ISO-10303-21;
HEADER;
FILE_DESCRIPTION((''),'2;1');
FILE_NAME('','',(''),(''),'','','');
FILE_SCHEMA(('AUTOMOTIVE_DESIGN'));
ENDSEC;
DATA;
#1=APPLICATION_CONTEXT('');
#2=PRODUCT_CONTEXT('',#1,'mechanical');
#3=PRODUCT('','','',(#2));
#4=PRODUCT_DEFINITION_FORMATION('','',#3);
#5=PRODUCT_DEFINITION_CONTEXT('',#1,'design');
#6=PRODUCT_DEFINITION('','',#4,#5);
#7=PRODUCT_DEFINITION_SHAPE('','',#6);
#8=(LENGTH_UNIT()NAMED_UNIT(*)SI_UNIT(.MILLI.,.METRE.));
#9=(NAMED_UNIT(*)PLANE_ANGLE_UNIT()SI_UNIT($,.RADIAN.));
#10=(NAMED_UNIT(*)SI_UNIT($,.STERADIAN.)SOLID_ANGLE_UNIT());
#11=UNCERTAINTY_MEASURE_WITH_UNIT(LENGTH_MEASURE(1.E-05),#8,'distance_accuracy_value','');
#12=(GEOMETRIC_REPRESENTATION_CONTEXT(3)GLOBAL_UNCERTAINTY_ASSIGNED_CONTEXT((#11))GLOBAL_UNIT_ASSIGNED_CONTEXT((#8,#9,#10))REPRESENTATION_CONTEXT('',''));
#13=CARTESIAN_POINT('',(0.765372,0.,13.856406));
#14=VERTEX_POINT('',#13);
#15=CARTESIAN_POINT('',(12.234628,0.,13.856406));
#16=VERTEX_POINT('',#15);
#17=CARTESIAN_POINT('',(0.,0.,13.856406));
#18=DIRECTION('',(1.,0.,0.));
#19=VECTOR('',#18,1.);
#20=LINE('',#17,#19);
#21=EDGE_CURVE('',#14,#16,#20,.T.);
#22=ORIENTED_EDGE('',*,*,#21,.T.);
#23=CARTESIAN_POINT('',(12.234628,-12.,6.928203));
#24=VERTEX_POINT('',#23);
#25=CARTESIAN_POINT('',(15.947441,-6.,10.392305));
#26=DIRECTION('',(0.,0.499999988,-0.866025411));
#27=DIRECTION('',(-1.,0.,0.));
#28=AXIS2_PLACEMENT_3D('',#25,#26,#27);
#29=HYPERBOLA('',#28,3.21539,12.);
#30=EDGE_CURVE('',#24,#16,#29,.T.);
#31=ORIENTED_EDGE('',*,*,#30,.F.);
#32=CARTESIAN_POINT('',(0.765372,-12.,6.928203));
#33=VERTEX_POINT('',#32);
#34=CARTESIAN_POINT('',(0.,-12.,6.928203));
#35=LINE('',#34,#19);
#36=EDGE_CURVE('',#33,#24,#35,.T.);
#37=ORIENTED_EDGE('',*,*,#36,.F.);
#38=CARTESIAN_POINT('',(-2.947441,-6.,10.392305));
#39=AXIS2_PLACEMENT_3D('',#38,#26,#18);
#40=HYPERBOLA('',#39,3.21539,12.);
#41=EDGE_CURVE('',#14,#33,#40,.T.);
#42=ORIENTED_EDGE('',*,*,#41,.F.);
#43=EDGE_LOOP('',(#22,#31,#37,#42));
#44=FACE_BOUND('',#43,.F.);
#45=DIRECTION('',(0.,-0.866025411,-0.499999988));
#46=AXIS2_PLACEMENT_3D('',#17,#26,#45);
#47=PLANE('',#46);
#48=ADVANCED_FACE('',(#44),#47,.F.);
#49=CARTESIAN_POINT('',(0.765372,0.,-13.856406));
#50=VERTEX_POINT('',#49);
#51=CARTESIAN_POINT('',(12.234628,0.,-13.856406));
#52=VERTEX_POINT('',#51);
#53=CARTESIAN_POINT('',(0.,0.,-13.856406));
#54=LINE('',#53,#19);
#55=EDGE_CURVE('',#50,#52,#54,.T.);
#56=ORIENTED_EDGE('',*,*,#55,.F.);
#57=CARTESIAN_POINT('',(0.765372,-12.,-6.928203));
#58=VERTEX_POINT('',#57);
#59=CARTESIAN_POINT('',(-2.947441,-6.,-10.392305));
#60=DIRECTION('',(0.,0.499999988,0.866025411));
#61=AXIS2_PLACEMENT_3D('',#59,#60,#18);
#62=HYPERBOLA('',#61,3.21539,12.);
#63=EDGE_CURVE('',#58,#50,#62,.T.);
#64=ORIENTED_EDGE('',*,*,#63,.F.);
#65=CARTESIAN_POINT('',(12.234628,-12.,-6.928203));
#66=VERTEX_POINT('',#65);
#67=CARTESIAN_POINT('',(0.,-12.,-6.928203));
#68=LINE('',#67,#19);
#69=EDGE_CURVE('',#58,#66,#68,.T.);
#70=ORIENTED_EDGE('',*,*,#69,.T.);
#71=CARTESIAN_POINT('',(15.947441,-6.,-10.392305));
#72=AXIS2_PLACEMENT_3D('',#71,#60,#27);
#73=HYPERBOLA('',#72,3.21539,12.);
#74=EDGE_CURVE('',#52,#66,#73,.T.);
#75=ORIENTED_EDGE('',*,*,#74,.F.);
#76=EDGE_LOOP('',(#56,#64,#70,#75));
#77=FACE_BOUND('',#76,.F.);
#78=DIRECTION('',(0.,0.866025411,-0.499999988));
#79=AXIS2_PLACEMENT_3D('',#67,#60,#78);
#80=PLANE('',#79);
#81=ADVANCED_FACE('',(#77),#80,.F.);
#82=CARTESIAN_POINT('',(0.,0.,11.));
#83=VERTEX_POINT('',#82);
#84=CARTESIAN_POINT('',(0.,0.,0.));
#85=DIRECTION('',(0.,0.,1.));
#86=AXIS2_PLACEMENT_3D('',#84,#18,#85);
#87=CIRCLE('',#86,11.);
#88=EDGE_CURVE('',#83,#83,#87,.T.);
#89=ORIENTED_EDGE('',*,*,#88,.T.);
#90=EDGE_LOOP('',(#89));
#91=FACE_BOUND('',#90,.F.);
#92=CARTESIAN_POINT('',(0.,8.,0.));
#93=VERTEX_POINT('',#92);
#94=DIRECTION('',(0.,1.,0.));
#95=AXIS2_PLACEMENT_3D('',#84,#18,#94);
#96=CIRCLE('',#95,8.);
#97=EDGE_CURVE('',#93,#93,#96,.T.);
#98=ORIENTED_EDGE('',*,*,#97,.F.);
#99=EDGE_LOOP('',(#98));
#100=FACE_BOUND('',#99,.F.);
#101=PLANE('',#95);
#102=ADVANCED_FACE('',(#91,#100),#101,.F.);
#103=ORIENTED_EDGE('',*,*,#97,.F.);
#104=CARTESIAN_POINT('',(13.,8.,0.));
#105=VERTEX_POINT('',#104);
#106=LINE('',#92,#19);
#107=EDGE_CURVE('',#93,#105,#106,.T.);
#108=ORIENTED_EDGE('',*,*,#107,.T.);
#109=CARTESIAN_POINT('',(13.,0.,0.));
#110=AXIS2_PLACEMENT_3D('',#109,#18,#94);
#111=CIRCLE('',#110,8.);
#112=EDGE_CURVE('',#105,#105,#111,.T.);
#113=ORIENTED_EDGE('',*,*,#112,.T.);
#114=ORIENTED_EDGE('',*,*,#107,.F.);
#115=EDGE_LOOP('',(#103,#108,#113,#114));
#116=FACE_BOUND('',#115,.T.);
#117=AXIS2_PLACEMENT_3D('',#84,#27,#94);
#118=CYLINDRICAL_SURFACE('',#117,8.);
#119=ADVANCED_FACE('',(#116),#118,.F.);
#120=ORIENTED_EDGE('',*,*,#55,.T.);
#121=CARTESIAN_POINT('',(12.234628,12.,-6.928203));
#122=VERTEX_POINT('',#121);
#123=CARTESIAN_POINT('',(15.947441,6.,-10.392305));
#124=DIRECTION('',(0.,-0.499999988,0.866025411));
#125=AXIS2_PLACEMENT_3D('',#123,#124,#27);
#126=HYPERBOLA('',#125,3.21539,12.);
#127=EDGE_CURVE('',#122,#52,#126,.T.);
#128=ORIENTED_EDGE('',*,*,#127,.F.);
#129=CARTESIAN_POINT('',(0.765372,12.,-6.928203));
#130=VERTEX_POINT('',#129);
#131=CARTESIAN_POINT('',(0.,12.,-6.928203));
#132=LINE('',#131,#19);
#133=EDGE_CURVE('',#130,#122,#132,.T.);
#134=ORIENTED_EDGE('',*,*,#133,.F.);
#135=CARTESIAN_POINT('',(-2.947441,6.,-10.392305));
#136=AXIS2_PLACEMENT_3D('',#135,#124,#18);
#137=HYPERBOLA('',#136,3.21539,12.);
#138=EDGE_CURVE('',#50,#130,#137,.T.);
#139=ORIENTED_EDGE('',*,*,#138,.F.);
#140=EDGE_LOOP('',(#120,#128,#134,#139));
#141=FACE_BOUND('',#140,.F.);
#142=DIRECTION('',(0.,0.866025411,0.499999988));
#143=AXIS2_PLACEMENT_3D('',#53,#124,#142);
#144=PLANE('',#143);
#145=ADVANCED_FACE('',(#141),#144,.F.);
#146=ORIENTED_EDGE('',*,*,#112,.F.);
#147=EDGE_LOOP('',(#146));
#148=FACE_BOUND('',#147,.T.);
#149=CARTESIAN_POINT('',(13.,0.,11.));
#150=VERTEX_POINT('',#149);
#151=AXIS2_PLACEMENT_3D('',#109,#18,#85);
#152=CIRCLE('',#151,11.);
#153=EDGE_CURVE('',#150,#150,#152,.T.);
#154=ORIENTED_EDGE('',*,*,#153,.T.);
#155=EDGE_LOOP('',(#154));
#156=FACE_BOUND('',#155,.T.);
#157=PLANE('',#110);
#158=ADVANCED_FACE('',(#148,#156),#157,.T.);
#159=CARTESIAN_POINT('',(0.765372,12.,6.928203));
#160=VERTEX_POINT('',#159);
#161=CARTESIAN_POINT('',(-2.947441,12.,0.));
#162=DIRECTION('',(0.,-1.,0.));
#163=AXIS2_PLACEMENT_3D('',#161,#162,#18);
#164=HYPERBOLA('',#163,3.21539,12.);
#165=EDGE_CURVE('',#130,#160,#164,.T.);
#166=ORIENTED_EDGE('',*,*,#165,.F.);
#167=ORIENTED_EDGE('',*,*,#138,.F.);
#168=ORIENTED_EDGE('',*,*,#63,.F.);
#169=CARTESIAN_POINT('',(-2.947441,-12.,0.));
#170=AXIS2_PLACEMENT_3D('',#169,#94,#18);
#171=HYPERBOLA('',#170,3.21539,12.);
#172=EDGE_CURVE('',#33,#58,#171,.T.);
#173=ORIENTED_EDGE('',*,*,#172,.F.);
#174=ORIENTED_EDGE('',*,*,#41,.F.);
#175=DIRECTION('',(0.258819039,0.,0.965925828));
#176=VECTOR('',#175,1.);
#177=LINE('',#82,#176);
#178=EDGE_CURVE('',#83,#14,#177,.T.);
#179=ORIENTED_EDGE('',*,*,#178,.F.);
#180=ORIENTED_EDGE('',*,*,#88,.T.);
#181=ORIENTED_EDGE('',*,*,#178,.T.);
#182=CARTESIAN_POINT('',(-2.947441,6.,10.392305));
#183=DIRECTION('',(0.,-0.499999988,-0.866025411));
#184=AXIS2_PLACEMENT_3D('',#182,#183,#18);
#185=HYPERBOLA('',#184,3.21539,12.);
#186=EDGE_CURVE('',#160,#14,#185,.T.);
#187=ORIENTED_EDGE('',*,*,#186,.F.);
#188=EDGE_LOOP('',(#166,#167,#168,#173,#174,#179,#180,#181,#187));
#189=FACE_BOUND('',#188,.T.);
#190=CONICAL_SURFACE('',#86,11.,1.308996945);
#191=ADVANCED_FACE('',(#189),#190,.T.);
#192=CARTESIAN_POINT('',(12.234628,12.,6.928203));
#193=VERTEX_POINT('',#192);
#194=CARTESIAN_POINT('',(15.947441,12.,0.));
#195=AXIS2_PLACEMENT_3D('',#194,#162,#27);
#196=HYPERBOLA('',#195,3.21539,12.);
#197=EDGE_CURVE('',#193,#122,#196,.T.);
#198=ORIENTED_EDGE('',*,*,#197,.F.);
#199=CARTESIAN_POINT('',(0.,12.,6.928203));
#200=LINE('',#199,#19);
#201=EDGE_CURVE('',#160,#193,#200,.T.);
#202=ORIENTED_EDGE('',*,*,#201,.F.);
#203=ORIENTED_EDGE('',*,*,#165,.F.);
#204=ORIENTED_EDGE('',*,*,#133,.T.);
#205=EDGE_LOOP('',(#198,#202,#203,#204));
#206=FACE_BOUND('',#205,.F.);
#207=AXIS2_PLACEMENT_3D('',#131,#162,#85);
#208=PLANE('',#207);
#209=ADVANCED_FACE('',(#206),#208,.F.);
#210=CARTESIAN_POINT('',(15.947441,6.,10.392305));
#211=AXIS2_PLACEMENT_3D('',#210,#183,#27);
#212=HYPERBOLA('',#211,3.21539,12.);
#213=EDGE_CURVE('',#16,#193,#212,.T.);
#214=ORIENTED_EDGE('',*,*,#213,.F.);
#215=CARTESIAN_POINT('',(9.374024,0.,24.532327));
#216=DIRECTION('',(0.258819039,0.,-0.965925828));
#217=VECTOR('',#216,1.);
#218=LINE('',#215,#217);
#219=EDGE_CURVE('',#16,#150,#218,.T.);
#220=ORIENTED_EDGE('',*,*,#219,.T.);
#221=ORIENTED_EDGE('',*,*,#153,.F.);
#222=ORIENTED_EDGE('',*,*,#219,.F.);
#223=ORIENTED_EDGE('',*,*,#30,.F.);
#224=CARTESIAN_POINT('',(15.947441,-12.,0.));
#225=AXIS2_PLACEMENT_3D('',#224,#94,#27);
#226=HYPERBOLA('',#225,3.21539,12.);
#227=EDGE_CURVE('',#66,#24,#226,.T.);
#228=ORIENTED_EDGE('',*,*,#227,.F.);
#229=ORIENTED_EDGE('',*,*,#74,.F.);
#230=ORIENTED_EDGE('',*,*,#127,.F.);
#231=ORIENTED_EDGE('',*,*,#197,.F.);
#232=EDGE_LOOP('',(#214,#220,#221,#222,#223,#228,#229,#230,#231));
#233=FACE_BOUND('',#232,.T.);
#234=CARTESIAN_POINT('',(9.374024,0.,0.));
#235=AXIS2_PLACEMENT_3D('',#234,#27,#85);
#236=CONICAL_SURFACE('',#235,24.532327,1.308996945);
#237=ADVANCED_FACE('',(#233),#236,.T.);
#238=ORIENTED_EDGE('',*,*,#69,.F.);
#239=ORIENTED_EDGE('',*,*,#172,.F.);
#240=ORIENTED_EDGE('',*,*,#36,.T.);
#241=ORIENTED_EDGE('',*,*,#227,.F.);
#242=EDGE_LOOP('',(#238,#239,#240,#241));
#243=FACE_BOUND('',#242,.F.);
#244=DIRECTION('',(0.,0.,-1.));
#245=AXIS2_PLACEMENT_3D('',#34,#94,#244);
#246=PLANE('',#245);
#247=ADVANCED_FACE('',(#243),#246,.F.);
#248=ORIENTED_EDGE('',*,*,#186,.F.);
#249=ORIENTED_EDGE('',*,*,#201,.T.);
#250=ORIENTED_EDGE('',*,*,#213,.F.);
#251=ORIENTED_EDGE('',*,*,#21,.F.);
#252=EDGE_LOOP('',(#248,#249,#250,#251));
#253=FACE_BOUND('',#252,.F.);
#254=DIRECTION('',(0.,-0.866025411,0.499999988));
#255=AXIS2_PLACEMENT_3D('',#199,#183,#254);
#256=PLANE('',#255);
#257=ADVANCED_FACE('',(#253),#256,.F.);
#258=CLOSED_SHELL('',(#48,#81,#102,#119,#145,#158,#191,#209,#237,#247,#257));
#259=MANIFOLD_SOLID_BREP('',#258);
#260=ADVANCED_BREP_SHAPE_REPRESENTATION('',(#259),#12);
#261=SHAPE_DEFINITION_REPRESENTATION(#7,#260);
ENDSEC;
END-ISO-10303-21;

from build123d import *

# Parameters (mm, degrees)
F0_R     = 8
F1_DEPTH = 13


with BuildPart() as f1:
    # F0 (on Right) → F1 (new body)
    with BuildSketch(Plane.YZ):
        Polygon((12, 6.928203), (0, 13.856406), (-12, 6.928203), (-12, -6.928203), (0, -13.856406), (12, -6.928203), align=None)
        Circle(F0_R, mode=Mode.SUBTRACT)
    extrude(amount=F1_DEPTH)

    # F2 (on Front) → F3 (revolve, cut)
    with BuildSketch(Plane.XZ):
        Polygon((0, 24.532327), (0, 11), (3.625976, 24.532327), align=None)
        Polygon((9.374024, 24.532327), (13, 11), (13, 24.532327), align=None)
    revolve(axis=Axis((40.371262, 0, 0), (1, 0, 0)), mode=Mode.SUBTRACT)


solid = f1.part
